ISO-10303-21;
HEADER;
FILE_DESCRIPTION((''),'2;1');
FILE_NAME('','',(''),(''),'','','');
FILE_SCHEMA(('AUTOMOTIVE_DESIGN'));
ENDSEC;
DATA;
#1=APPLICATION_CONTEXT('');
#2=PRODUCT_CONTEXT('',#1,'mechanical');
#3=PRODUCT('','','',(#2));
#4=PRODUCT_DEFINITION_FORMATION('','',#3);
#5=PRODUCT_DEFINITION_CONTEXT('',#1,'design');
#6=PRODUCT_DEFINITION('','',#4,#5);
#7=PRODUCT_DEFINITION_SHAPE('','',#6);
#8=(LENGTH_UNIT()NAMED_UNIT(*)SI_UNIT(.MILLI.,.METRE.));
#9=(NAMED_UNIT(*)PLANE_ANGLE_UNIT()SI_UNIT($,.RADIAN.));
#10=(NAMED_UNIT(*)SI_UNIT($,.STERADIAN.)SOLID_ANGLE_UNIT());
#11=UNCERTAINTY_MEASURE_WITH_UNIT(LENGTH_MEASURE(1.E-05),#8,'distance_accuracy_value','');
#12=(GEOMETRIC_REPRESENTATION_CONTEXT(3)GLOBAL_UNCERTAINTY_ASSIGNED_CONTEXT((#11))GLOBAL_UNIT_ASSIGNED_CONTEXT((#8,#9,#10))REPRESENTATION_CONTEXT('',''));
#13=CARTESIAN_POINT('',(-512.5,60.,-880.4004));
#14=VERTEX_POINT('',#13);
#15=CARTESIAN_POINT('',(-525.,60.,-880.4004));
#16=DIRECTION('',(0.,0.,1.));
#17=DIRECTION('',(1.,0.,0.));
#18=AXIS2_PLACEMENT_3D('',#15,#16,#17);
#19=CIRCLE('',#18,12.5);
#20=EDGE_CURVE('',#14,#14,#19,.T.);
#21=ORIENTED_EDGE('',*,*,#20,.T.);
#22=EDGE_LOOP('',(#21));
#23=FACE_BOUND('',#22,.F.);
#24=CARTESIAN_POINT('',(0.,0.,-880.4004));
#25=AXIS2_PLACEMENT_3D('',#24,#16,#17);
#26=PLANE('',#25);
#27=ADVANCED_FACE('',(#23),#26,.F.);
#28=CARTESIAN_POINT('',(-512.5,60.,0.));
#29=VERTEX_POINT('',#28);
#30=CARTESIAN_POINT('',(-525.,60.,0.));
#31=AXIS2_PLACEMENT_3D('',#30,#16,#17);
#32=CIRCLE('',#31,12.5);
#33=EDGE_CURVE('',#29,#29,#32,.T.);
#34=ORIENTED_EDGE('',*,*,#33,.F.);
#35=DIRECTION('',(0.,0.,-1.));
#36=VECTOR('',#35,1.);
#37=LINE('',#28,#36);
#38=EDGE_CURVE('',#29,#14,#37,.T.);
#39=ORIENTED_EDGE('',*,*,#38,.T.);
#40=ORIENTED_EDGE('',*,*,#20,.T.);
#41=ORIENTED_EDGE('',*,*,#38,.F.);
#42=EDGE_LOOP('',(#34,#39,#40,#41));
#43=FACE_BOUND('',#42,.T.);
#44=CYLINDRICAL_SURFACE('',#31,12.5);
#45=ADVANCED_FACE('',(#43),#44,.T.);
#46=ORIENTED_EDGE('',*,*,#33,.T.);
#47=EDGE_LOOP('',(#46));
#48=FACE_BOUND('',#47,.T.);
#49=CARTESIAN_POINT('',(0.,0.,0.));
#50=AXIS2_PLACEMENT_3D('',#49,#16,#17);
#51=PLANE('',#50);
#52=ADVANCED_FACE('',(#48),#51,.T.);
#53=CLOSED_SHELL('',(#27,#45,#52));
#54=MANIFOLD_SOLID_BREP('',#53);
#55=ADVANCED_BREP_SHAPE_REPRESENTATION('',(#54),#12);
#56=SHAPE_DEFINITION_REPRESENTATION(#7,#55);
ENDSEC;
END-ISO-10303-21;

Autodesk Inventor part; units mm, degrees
ref_plane "YZ Plane" through (0, 0, 0) normal (1, 0, 0) x (0, 1, 0)
ref_plane "XZ Plane" through (0, 0, 0) normal (0, 1, 0) x (-1, 0, 0)
ref_plane "Work Plane1" through (0, 0, 0) normal (0, 0, 1) x (1, 0, 0)
sketch "Sketch1" plane through (0, 0, 0) normal (0, 0, 1) x (1, 0, 0)
  circle A0 centre (-525, 60) radius 12.5 projected
  point P0 (0, 0)
ref_plane "Work Plane2" through (-549.0813, 35.9187, -880.4004) normal (0, 0, -1) x (0.32, 0.9474, 0)
extrude "Extrusion1" add sketch "Sketch1" against normal up to surface (880.4004 mm away)
properties part number "pulley rod"
